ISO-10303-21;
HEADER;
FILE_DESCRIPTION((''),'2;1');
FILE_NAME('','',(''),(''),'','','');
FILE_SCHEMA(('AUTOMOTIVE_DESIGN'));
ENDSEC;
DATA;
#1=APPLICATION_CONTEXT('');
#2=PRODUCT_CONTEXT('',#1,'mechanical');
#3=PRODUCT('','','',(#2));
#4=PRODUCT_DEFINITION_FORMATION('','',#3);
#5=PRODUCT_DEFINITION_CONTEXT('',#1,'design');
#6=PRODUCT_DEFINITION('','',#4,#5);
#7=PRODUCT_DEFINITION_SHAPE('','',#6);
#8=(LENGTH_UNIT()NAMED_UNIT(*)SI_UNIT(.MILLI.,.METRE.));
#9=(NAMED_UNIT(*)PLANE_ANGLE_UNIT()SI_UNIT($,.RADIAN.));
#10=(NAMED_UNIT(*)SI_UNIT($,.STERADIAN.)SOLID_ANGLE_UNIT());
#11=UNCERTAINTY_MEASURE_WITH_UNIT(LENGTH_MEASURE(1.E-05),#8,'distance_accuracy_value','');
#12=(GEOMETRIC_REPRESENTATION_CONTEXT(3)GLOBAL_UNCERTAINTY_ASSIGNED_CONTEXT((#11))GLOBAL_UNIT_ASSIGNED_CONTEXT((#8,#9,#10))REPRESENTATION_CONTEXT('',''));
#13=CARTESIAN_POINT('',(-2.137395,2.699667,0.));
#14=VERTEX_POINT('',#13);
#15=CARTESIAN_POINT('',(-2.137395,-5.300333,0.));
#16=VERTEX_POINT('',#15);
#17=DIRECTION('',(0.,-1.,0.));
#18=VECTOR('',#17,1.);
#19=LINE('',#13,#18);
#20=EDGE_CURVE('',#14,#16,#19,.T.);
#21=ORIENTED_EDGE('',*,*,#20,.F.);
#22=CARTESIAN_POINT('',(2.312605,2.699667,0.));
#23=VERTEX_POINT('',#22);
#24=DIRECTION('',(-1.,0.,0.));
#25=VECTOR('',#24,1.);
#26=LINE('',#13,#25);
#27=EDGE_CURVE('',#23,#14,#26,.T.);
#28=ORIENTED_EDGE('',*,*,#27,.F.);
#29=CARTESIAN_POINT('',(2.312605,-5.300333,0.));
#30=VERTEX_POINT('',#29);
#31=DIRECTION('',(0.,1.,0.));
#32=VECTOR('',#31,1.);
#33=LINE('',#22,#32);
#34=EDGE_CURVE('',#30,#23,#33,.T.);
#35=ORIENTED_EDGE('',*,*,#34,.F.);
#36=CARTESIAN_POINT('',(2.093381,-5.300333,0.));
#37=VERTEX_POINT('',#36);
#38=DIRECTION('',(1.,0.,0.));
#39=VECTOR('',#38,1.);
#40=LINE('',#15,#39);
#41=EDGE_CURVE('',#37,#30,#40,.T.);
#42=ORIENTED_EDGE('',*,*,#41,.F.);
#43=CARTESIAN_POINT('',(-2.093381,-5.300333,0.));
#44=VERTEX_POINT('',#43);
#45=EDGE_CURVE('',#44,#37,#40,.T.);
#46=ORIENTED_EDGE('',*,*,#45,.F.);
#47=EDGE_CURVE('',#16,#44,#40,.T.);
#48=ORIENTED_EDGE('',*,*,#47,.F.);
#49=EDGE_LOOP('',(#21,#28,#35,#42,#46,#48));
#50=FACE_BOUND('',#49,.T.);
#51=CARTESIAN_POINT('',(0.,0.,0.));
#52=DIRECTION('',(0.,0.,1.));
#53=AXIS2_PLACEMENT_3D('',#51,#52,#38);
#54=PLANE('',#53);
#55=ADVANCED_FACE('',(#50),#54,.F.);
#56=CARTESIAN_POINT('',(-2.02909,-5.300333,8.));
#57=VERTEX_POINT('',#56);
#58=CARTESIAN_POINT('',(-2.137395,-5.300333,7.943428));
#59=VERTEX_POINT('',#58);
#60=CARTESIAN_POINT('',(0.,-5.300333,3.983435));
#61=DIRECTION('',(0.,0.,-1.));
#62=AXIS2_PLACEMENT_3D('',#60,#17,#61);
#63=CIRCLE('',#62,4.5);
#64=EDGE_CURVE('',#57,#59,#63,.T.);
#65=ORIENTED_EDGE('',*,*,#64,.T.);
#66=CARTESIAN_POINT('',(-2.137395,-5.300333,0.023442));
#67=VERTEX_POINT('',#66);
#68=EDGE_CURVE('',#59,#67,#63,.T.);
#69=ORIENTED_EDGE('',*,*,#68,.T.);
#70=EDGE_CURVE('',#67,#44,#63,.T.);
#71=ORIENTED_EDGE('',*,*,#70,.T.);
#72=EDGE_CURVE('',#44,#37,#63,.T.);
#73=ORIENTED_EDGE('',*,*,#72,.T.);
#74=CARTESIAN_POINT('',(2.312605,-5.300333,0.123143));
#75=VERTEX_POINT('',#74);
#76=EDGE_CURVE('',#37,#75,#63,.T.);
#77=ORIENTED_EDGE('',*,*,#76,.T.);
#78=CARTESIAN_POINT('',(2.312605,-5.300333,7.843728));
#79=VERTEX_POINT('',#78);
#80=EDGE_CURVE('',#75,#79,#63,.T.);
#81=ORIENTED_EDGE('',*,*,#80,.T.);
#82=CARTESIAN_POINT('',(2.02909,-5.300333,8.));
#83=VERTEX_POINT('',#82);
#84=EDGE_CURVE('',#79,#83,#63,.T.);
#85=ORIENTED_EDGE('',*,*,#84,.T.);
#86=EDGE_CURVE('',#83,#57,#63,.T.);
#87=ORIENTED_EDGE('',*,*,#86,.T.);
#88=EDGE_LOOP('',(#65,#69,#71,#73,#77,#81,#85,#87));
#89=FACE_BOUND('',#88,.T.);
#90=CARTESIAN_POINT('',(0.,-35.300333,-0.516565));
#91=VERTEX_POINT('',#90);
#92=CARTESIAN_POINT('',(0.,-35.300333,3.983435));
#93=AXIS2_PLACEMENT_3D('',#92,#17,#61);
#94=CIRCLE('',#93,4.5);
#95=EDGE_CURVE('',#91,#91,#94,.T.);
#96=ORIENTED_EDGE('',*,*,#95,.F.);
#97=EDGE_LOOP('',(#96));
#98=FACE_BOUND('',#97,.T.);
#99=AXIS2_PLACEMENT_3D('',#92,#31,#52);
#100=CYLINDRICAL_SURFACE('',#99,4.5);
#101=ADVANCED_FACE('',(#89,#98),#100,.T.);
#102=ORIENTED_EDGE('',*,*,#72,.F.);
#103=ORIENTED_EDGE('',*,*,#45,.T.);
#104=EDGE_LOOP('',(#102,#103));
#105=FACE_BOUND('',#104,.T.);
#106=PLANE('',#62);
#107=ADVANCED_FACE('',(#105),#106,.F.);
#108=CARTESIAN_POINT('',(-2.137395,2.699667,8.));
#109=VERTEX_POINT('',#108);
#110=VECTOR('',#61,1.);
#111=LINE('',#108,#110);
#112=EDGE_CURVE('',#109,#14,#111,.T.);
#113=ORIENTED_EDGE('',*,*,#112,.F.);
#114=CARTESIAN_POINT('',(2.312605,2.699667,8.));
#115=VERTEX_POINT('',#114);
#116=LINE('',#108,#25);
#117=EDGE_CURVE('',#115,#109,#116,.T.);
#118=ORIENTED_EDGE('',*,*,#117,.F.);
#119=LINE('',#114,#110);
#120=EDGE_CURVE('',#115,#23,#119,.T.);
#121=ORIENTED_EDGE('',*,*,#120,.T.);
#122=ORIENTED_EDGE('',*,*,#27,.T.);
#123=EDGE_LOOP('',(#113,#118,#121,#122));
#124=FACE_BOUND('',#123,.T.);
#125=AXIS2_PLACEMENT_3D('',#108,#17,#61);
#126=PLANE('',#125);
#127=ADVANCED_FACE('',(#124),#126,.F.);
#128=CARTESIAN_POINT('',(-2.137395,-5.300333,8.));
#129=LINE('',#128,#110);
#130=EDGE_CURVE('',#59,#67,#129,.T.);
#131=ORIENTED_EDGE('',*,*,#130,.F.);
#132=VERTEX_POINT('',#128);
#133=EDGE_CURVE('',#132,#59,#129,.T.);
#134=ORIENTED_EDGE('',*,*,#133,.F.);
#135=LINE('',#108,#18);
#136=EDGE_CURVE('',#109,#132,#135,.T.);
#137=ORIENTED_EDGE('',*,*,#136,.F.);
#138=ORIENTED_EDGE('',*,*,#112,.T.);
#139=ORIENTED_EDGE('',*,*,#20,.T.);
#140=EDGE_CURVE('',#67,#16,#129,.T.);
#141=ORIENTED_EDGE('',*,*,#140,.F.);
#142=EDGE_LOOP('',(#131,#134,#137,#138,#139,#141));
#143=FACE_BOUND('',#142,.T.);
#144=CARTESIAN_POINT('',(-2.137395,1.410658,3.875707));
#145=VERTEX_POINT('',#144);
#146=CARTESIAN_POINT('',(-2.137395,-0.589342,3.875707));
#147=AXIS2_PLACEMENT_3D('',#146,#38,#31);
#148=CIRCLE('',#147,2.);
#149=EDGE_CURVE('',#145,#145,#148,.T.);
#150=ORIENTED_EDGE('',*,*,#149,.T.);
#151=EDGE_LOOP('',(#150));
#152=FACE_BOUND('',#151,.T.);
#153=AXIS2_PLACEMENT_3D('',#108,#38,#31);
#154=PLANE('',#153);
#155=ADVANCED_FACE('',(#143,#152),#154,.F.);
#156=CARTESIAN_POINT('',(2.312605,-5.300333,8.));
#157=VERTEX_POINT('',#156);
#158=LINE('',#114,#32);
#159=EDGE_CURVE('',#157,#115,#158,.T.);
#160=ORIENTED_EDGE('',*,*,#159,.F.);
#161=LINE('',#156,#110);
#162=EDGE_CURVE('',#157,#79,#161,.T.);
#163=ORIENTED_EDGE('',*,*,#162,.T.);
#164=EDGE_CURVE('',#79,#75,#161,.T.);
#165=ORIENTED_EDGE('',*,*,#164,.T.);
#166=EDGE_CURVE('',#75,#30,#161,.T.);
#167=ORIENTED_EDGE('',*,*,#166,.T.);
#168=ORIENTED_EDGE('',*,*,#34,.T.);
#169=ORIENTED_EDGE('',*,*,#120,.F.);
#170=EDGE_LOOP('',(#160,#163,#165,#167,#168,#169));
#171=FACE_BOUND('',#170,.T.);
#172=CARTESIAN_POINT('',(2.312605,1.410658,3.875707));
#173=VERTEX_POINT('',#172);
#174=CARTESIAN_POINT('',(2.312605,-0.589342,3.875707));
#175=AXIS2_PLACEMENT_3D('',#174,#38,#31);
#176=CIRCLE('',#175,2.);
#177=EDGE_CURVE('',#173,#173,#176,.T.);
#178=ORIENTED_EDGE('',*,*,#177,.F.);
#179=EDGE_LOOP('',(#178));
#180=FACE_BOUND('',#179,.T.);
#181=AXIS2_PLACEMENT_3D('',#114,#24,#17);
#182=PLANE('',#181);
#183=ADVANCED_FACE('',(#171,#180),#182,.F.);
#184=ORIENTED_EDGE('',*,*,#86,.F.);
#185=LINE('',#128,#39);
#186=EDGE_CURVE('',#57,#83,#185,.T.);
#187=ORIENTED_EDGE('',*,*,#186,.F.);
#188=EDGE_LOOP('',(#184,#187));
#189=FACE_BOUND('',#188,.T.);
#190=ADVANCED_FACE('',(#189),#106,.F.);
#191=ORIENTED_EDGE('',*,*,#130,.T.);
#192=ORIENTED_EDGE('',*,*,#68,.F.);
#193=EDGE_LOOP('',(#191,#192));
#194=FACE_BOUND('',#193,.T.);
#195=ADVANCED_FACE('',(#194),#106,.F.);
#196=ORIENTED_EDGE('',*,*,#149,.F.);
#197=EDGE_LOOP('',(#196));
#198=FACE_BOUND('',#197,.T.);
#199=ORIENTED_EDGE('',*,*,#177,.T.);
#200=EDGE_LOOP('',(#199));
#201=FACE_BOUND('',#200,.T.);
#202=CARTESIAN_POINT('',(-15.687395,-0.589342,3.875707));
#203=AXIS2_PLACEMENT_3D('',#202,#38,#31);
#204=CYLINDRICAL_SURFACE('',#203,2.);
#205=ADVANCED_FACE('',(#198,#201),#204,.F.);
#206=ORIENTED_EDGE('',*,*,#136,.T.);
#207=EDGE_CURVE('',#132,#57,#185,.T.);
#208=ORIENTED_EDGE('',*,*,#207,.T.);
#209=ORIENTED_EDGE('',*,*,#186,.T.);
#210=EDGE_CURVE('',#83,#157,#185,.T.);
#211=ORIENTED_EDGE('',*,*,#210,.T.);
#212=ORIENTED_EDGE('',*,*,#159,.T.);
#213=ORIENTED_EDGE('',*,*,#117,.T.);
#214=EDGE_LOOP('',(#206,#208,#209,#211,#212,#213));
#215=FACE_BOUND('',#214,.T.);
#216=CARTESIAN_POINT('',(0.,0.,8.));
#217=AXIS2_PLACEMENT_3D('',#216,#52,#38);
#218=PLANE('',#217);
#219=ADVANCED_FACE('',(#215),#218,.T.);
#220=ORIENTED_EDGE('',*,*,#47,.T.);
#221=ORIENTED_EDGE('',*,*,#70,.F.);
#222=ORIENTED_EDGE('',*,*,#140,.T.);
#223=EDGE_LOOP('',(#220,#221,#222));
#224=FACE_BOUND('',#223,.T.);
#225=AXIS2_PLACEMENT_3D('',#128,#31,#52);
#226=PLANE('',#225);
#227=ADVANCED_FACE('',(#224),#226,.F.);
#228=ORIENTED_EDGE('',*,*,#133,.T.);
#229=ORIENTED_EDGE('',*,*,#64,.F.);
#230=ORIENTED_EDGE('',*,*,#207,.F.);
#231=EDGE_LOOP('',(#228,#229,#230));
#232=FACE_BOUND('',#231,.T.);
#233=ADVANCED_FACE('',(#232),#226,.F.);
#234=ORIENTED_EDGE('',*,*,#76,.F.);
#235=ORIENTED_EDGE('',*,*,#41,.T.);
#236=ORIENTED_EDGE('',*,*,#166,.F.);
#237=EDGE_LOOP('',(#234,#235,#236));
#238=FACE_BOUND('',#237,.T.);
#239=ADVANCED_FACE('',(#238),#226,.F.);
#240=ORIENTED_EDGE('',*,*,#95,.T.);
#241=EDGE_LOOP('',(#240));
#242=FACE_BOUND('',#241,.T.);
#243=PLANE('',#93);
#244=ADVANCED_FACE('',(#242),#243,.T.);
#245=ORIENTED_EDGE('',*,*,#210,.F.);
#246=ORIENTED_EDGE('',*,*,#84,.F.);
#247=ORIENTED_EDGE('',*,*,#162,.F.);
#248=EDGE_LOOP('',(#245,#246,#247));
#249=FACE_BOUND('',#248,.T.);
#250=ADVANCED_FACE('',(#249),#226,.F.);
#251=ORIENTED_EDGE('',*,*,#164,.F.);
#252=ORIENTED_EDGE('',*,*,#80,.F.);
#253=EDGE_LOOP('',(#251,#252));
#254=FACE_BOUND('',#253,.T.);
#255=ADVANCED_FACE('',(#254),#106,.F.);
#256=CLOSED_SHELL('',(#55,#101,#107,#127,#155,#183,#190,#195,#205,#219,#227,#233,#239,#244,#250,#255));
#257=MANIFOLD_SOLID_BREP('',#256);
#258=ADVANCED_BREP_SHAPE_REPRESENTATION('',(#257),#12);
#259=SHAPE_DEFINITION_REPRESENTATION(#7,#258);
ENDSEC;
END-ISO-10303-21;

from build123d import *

# Parameters (mm, degrees)
ESQUISSE1_W             = 4.45
ESQUISSE1_H             = 8
BOSS_EXTRU_1_DEPTH      = 8
ESQUISSE2_R             = 4.5
BOSS_EXTRU_2_DEPTH      = 30
ESQUISSE4_R             = 2
ENL_V_MAT_EXTRU_1_DEPTH = 18


with BuildPart() as part:
    # Esquisse1 → Boss.-Extru.1 (new body)
    with BuildSketch(Plane.XY):
        with Locations((0.087605016, -1.300333333)):
            Rectangle(ESQUISSE1_W, ESQUISSE1_H)
    extrude(amount=BOSS_EXTRU_1_DEPTH)

    # Esquisse2 → Boss.-Extru.2 (add)
    with BuildSketch(Plane.XZ.offset(5.300333333)):
        with Locations(Location((0, 3.983435039, 0), (0, 0, 63.197988835))):
            Circle(ESQUISSE2_R)
    extrude(amount=BOSS_EXTRU_2_DEPTH)

    # Esquisse4 → Enlèv. mat.-Extru.1 (cut)
    with BuildSketch(Plane(origin=(2.312605016, 0, 0), x_dir=(0, 0, -1), z_dir=(1, 0, 0))):
        with Locations(Location((-3.87570667, -0.589342017, 0), (0, 0, 90))):
            Circle(ESQUISSE4_R)
    extrude(amount=-ENL_V_MAT_EXTRU_1_DEPTH, mode=Mode.SUBTRACT)


solid = part.part
